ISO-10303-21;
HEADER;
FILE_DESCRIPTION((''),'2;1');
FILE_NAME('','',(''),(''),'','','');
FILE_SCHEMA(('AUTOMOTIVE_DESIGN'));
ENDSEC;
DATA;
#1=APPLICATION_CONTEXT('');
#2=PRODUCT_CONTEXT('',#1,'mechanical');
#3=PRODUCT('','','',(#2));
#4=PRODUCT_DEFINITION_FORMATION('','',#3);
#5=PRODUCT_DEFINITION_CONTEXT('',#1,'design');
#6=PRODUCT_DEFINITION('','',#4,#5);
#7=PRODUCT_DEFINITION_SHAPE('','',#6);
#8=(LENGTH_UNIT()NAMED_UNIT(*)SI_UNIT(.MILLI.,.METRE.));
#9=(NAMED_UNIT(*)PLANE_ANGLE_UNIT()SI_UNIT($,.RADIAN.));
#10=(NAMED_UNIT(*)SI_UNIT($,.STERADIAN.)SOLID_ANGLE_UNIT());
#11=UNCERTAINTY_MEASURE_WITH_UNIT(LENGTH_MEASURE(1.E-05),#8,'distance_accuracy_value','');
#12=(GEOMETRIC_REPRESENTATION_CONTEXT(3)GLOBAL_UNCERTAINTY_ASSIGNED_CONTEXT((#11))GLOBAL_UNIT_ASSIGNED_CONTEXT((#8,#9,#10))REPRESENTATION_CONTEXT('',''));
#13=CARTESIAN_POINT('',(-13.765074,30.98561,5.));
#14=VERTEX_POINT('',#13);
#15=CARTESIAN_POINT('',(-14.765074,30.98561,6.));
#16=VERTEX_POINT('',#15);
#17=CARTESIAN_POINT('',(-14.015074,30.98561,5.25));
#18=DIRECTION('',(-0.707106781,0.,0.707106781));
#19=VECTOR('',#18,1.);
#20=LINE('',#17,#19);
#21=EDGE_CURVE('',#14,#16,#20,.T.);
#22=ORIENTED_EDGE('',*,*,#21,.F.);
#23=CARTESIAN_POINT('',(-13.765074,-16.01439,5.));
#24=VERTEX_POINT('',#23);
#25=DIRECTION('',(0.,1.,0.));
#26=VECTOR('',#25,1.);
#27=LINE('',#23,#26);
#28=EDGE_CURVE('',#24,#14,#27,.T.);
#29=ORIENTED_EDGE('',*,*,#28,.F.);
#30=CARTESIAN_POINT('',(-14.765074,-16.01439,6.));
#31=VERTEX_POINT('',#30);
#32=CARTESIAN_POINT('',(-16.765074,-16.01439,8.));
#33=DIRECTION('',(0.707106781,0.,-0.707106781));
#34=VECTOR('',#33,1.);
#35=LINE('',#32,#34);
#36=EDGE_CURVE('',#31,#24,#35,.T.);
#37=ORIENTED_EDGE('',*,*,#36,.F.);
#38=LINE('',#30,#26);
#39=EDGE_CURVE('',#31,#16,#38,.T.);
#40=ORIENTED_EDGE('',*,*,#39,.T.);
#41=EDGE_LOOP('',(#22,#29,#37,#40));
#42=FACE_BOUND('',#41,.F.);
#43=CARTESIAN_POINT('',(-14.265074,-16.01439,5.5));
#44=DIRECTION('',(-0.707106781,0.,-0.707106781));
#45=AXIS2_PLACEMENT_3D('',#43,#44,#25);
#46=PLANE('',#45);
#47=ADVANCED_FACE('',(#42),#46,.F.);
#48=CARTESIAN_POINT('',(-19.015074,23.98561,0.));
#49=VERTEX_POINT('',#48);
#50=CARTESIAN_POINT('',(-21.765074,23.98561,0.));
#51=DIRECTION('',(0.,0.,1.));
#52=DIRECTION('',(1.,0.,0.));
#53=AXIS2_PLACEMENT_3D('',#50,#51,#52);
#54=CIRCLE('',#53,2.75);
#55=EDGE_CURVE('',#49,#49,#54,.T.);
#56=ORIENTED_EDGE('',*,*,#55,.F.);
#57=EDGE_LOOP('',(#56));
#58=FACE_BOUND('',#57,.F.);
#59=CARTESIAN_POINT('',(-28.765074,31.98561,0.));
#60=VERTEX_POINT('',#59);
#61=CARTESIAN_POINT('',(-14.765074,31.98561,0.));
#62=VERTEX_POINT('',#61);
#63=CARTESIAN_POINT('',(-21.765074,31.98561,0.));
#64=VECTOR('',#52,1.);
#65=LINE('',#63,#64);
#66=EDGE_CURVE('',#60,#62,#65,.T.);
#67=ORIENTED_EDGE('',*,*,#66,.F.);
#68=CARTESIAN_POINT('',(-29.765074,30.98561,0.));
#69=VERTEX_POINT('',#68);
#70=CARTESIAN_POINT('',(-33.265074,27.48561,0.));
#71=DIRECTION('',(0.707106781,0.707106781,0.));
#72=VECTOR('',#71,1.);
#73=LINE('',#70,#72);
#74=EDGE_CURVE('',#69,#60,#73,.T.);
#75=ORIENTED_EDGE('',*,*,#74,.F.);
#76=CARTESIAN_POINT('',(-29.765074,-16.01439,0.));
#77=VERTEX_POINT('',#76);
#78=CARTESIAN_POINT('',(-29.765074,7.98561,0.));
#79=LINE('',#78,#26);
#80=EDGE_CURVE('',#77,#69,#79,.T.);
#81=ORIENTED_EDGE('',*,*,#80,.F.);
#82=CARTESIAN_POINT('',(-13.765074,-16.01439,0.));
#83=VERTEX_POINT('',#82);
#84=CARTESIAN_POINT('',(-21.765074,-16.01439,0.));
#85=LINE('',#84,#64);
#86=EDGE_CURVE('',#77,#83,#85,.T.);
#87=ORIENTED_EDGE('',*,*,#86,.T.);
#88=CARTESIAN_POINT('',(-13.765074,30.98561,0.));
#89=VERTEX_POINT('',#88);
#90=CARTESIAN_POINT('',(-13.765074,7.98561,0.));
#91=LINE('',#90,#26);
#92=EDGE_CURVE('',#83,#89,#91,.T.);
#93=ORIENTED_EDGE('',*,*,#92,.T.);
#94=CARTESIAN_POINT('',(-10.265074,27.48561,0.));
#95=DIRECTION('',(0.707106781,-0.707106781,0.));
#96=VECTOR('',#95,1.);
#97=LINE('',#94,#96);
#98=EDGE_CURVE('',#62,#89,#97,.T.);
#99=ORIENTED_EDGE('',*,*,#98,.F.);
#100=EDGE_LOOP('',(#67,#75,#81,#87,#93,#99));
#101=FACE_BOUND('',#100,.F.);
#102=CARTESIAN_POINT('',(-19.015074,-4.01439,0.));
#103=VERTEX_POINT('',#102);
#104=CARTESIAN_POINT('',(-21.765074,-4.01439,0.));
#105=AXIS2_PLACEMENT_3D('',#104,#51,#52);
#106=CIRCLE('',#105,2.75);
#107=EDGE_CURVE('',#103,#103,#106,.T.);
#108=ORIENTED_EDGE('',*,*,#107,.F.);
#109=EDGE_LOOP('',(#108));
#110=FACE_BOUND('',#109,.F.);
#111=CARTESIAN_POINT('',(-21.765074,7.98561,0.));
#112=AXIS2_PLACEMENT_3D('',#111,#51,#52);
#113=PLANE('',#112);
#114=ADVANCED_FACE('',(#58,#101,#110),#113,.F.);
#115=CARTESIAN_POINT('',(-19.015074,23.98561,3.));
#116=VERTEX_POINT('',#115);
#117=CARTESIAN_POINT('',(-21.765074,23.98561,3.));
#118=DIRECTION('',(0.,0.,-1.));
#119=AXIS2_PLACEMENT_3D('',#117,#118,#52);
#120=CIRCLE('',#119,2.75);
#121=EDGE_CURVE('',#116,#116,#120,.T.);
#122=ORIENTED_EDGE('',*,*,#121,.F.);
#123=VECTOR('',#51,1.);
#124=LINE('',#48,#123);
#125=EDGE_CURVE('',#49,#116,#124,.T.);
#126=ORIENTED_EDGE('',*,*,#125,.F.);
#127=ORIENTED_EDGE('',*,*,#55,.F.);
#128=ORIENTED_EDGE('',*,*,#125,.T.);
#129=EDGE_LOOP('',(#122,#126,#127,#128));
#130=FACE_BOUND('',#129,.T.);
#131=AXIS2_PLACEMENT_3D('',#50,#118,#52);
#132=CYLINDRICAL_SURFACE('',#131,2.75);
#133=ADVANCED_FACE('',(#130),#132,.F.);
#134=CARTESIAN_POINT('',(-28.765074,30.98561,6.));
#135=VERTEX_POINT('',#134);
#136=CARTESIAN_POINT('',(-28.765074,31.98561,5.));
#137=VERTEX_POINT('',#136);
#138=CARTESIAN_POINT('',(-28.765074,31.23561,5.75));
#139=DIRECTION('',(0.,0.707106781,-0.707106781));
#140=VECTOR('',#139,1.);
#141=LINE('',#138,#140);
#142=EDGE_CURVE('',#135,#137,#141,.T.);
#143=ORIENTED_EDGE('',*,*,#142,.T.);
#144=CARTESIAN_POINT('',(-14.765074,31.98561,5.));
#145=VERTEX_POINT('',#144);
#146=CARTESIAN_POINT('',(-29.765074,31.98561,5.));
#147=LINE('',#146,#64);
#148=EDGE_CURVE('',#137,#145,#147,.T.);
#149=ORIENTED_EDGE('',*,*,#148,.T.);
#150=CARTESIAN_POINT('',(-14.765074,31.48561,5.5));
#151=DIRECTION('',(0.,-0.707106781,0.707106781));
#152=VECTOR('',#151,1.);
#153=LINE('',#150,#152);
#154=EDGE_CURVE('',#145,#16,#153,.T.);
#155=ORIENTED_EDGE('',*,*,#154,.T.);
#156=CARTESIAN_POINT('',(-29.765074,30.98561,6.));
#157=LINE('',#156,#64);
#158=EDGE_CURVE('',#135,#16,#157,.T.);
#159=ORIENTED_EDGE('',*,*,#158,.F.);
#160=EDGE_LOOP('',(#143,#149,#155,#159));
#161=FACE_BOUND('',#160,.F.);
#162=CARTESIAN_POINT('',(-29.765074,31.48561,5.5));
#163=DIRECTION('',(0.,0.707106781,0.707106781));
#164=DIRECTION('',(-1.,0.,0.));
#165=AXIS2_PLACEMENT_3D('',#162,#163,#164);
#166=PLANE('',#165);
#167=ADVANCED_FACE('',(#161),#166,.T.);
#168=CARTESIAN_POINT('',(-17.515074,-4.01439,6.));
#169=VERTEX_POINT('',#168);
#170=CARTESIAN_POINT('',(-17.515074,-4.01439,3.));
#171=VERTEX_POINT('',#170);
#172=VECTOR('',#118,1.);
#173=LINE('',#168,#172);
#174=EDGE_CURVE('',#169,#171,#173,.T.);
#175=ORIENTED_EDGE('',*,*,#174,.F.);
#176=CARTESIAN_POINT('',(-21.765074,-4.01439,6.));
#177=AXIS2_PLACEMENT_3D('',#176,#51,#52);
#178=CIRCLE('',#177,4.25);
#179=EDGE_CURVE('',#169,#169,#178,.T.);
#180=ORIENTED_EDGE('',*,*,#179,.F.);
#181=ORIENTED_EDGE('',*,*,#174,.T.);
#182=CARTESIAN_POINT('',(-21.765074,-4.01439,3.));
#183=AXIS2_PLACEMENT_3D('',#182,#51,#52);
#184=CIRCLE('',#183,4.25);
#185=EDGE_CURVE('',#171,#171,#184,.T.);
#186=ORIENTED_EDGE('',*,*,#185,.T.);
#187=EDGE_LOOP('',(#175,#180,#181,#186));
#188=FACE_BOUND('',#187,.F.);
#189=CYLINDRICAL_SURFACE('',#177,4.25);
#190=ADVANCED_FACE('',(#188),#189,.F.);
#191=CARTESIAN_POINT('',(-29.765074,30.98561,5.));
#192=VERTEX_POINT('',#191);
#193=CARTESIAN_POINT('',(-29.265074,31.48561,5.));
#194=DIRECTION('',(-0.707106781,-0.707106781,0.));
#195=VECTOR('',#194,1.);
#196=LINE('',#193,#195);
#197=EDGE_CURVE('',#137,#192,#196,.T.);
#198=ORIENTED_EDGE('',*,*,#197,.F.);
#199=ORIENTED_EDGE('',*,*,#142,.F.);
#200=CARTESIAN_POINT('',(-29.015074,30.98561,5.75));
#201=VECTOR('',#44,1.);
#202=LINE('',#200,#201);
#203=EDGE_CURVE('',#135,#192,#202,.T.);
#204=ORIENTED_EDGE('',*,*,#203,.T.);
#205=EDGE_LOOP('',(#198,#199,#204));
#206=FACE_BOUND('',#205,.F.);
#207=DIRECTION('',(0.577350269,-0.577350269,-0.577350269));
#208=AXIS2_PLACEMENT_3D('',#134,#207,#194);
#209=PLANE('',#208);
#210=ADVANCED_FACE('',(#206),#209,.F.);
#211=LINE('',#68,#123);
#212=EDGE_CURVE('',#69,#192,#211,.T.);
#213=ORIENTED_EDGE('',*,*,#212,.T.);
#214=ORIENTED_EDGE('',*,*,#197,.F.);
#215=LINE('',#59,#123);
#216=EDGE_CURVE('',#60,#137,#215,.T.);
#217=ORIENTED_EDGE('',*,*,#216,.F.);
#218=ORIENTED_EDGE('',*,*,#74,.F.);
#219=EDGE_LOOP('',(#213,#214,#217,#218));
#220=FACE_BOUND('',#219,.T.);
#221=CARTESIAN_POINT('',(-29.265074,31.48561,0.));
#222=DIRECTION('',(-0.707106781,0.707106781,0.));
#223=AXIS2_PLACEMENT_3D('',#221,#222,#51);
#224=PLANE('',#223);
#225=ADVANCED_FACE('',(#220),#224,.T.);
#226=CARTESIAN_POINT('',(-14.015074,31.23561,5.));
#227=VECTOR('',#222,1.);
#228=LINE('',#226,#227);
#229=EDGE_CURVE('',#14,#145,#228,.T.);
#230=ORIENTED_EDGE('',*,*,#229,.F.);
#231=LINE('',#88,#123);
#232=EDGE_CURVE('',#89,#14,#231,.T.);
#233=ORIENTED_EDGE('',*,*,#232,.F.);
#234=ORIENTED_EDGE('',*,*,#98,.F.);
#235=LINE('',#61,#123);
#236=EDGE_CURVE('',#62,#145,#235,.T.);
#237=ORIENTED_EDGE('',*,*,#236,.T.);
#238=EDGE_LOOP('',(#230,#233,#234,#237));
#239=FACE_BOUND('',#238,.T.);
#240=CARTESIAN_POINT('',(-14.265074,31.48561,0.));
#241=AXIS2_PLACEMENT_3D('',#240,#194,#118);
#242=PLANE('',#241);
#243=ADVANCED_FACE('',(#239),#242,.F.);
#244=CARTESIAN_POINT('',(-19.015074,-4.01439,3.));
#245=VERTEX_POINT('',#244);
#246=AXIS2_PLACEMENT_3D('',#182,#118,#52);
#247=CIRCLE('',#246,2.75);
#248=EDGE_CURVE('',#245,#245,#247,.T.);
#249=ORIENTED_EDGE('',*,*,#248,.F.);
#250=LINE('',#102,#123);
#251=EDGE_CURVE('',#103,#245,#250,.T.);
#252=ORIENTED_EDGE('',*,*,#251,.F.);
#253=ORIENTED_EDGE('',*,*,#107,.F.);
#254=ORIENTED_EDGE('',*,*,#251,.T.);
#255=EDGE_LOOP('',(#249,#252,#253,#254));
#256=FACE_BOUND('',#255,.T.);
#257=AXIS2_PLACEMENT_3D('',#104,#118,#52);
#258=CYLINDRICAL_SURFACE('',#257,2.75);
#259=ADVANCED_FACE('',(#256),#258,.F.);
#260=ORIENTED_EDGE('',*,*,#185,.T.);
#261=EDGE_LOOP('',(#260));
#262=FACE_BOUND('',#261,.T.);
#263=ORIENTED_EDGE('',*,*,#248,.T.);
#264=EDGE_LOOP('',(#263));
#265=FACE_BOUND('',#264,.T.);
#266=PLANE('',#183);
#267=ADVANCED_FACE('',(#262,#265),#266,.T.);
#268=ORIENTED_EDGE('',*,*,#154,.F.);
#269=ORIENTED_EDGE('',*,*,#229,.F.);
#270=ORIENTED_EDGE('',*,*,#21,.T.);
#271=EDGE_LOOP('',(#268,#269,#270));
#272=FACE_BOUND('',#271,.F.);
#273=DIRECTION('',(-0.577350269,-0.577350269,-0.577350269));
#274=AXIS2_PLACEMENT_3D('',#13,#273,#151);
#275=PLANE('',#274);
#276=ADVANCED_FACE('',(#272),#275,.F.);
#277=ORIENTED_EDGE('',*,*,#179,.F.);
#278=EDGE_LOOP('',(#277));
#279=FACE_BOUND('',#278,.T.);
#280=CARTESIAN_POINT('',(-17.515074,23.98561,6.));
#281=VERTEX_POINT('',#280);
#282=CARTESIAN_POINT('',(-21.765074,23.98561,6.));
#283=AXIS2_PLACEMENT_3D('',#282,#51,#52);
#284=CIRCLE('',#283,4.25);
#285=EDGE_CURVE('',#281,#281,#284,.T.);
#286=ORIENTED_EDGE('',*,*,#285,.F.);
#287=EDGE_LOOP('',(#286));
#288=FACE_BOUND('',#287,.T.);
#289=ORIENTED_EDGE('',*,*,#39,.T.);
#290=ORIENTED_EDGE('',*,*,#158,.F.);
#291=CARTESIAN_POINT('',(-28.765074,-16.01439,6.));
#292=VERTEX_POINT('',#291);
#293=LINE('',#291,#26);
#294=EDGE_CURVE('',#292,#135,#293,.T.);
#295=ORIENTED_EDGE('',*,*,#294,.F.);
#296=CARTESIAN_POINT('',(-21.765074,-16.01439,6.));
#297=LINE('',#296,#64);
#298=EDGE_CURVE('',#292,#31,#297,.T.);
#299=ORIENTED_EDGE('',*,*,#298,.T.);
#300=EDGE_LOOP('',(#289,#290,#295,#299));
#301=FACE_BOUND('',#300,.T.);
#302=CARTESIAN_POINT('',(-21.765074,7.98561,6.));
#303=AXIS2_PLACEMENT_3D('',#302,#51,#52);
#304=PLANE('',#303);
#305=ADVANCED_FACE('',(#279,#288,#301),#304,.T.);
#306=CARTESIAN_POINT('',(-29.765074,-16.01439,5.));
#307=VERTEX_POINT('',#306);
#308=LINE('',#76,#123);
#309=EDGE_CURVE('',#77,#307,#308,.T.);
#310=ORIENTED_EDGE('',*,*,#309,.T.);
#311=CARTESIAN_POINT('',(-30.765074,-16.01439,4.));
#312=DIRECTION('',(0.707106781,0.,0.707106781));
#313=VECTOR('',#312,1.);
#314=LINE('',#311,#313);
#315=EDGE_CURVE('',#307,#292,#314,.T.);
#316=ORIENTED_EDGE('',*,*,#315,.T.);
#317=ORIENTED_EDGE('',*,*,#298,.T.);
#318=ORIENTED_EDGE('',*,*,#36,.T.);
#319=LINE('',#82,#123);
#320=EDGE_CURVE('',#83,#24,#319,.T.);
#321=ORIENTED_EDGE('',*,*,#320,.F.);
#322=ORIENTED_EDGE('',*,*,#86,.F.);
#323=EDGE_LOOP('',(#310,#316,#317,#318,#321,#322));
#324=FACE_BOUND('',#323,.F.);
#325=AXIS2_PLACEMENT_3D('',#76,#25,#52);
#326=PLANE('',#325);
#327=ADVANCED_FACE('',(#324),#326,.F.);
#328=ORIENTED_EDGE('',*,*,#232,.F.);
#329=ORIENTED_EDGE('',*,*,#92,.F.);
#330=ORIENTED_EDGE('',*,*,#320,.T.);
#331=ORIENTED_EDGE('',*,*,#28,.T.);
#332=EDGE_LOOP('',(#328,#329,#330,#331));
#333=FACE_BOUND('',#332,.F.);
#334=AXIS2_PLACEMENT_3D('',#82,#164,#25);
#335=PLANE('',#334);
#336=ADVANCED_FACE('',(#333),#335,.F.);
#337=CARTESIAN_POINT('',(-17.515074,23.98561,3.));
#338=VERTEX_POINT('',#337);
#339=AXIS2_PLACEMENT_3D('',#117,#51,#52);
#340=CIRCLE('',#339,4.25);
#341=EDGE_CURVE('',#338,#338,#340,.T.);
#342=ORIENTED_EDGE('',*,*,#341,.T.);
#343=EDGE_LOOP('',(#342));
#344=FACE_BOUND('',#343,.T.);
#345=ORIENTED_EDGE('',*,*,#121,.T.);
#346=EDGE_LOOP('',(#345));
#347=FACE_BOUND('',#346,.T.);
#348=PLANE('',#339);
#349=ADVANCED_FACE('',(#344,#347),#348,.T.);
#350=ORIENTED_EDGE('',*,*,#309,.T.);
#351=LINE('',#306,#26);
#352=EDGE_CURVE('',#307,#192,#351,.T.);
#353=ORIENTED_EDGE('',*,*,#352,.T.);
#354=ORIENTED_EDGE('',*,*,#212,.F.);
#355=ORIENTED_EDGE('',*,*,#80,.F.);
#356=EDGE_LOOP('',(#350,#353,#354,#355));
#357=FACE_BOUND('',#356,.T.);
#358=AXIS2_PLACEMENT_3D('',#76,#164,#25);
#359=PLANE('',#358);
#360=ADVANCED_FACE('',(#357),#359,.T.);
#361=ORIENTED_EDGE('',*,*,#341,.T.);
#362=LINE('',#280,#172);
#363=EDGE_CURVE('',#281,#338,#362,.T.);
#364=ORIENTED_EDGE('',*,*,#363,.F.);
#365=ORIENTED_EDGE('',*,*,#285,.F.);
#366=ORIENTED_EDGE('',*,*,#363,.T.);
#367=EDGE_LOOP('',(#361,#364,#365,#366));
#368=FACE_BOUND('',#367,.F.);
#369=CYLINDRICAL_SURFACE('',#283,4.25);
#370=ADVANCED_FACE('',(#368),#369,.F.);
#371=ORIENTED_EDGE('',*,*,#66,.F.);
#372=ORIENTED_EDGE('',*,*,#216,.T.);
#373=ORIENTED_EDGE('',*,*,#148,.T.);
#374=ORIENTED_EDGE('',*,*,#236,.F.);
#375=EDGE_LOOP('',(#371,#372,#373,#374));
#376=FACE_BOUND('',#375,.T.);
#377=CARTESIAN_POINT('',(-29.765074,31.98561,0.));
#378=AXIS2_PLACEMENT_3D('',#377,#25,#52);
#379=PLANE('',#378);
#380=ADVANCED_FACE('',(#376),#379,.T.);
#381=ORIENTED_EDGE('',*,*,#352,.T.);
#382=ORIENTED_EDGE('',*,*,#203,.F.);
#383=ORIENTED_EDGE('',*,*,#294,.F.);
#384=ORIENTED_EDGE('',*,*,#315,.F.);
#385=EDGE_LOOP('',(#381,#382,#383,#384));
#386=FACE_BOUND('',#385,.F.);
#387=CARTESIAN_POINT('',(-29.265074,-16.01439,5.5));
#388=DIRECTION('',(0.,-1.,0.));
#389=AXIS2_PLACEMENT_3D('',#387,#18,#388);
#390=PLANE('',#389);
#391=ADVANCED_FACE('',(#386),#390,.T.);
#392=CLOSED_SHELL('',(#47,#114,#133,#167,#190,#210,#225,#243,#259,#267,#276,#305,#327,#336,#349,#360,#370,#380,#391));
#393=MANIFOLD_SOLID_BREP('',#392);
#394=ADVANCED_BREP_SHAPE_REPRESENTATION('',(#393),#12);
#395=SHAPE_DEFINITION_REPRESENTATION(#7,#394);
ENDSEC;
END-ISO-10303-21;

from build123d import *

# Parameters (mm, degrees)
F0_W     = 16
F0_H     = 48
F0_R     = 2.75
F1_DEPTH = 6
F2_R     = 4.25
F3_DEPTH = 3
F4_SIZE  = 1


with BuildPart() as f1:
    # F0 (on Top) → F1 (new body)
    with BuildSketch(Plane.XY):
        with Locations((-21.765074, 7.98561)):
            Rectangle(F0_W, F0_H)
        with Locations((-21.765074, -4.01439)):
            Circle(F0_R, mode=Mode.SUBTRACT)
        with Locations((-21.765074, 23.98561)):
            Circle(F0_R, mode=Mode.SUBTRACT)
    extrude(amount=F1_DEPTH)

    # F2 (on face) → F3 (cut)
    with BuildSketch(Plane.XY.offset(6)):
        with Locations((-21.765074, 23.98561)):
            Circle(F2_R)
        with Locations((-21.765074, -4.01439)):
            Circle(F2_R)
    extrude(amount=-F3_DEPTH, mode=Mode.SUBTRACT)

    # F4
    f4_edges = [f1.edges().sort_by_distance(p)[0] for p in [
        (-29.765074, 31.98561, 3),
        (-21.765074, 31.98561, 6),
        (-13.765074, 31.98561, 3),
        (-29.765074, 7.98561, 6),
        (-13.765074, 7.98561, 6),
    ]]
    chamfer(f4_edges, length=F4_SIZE)


solid = f1.part
